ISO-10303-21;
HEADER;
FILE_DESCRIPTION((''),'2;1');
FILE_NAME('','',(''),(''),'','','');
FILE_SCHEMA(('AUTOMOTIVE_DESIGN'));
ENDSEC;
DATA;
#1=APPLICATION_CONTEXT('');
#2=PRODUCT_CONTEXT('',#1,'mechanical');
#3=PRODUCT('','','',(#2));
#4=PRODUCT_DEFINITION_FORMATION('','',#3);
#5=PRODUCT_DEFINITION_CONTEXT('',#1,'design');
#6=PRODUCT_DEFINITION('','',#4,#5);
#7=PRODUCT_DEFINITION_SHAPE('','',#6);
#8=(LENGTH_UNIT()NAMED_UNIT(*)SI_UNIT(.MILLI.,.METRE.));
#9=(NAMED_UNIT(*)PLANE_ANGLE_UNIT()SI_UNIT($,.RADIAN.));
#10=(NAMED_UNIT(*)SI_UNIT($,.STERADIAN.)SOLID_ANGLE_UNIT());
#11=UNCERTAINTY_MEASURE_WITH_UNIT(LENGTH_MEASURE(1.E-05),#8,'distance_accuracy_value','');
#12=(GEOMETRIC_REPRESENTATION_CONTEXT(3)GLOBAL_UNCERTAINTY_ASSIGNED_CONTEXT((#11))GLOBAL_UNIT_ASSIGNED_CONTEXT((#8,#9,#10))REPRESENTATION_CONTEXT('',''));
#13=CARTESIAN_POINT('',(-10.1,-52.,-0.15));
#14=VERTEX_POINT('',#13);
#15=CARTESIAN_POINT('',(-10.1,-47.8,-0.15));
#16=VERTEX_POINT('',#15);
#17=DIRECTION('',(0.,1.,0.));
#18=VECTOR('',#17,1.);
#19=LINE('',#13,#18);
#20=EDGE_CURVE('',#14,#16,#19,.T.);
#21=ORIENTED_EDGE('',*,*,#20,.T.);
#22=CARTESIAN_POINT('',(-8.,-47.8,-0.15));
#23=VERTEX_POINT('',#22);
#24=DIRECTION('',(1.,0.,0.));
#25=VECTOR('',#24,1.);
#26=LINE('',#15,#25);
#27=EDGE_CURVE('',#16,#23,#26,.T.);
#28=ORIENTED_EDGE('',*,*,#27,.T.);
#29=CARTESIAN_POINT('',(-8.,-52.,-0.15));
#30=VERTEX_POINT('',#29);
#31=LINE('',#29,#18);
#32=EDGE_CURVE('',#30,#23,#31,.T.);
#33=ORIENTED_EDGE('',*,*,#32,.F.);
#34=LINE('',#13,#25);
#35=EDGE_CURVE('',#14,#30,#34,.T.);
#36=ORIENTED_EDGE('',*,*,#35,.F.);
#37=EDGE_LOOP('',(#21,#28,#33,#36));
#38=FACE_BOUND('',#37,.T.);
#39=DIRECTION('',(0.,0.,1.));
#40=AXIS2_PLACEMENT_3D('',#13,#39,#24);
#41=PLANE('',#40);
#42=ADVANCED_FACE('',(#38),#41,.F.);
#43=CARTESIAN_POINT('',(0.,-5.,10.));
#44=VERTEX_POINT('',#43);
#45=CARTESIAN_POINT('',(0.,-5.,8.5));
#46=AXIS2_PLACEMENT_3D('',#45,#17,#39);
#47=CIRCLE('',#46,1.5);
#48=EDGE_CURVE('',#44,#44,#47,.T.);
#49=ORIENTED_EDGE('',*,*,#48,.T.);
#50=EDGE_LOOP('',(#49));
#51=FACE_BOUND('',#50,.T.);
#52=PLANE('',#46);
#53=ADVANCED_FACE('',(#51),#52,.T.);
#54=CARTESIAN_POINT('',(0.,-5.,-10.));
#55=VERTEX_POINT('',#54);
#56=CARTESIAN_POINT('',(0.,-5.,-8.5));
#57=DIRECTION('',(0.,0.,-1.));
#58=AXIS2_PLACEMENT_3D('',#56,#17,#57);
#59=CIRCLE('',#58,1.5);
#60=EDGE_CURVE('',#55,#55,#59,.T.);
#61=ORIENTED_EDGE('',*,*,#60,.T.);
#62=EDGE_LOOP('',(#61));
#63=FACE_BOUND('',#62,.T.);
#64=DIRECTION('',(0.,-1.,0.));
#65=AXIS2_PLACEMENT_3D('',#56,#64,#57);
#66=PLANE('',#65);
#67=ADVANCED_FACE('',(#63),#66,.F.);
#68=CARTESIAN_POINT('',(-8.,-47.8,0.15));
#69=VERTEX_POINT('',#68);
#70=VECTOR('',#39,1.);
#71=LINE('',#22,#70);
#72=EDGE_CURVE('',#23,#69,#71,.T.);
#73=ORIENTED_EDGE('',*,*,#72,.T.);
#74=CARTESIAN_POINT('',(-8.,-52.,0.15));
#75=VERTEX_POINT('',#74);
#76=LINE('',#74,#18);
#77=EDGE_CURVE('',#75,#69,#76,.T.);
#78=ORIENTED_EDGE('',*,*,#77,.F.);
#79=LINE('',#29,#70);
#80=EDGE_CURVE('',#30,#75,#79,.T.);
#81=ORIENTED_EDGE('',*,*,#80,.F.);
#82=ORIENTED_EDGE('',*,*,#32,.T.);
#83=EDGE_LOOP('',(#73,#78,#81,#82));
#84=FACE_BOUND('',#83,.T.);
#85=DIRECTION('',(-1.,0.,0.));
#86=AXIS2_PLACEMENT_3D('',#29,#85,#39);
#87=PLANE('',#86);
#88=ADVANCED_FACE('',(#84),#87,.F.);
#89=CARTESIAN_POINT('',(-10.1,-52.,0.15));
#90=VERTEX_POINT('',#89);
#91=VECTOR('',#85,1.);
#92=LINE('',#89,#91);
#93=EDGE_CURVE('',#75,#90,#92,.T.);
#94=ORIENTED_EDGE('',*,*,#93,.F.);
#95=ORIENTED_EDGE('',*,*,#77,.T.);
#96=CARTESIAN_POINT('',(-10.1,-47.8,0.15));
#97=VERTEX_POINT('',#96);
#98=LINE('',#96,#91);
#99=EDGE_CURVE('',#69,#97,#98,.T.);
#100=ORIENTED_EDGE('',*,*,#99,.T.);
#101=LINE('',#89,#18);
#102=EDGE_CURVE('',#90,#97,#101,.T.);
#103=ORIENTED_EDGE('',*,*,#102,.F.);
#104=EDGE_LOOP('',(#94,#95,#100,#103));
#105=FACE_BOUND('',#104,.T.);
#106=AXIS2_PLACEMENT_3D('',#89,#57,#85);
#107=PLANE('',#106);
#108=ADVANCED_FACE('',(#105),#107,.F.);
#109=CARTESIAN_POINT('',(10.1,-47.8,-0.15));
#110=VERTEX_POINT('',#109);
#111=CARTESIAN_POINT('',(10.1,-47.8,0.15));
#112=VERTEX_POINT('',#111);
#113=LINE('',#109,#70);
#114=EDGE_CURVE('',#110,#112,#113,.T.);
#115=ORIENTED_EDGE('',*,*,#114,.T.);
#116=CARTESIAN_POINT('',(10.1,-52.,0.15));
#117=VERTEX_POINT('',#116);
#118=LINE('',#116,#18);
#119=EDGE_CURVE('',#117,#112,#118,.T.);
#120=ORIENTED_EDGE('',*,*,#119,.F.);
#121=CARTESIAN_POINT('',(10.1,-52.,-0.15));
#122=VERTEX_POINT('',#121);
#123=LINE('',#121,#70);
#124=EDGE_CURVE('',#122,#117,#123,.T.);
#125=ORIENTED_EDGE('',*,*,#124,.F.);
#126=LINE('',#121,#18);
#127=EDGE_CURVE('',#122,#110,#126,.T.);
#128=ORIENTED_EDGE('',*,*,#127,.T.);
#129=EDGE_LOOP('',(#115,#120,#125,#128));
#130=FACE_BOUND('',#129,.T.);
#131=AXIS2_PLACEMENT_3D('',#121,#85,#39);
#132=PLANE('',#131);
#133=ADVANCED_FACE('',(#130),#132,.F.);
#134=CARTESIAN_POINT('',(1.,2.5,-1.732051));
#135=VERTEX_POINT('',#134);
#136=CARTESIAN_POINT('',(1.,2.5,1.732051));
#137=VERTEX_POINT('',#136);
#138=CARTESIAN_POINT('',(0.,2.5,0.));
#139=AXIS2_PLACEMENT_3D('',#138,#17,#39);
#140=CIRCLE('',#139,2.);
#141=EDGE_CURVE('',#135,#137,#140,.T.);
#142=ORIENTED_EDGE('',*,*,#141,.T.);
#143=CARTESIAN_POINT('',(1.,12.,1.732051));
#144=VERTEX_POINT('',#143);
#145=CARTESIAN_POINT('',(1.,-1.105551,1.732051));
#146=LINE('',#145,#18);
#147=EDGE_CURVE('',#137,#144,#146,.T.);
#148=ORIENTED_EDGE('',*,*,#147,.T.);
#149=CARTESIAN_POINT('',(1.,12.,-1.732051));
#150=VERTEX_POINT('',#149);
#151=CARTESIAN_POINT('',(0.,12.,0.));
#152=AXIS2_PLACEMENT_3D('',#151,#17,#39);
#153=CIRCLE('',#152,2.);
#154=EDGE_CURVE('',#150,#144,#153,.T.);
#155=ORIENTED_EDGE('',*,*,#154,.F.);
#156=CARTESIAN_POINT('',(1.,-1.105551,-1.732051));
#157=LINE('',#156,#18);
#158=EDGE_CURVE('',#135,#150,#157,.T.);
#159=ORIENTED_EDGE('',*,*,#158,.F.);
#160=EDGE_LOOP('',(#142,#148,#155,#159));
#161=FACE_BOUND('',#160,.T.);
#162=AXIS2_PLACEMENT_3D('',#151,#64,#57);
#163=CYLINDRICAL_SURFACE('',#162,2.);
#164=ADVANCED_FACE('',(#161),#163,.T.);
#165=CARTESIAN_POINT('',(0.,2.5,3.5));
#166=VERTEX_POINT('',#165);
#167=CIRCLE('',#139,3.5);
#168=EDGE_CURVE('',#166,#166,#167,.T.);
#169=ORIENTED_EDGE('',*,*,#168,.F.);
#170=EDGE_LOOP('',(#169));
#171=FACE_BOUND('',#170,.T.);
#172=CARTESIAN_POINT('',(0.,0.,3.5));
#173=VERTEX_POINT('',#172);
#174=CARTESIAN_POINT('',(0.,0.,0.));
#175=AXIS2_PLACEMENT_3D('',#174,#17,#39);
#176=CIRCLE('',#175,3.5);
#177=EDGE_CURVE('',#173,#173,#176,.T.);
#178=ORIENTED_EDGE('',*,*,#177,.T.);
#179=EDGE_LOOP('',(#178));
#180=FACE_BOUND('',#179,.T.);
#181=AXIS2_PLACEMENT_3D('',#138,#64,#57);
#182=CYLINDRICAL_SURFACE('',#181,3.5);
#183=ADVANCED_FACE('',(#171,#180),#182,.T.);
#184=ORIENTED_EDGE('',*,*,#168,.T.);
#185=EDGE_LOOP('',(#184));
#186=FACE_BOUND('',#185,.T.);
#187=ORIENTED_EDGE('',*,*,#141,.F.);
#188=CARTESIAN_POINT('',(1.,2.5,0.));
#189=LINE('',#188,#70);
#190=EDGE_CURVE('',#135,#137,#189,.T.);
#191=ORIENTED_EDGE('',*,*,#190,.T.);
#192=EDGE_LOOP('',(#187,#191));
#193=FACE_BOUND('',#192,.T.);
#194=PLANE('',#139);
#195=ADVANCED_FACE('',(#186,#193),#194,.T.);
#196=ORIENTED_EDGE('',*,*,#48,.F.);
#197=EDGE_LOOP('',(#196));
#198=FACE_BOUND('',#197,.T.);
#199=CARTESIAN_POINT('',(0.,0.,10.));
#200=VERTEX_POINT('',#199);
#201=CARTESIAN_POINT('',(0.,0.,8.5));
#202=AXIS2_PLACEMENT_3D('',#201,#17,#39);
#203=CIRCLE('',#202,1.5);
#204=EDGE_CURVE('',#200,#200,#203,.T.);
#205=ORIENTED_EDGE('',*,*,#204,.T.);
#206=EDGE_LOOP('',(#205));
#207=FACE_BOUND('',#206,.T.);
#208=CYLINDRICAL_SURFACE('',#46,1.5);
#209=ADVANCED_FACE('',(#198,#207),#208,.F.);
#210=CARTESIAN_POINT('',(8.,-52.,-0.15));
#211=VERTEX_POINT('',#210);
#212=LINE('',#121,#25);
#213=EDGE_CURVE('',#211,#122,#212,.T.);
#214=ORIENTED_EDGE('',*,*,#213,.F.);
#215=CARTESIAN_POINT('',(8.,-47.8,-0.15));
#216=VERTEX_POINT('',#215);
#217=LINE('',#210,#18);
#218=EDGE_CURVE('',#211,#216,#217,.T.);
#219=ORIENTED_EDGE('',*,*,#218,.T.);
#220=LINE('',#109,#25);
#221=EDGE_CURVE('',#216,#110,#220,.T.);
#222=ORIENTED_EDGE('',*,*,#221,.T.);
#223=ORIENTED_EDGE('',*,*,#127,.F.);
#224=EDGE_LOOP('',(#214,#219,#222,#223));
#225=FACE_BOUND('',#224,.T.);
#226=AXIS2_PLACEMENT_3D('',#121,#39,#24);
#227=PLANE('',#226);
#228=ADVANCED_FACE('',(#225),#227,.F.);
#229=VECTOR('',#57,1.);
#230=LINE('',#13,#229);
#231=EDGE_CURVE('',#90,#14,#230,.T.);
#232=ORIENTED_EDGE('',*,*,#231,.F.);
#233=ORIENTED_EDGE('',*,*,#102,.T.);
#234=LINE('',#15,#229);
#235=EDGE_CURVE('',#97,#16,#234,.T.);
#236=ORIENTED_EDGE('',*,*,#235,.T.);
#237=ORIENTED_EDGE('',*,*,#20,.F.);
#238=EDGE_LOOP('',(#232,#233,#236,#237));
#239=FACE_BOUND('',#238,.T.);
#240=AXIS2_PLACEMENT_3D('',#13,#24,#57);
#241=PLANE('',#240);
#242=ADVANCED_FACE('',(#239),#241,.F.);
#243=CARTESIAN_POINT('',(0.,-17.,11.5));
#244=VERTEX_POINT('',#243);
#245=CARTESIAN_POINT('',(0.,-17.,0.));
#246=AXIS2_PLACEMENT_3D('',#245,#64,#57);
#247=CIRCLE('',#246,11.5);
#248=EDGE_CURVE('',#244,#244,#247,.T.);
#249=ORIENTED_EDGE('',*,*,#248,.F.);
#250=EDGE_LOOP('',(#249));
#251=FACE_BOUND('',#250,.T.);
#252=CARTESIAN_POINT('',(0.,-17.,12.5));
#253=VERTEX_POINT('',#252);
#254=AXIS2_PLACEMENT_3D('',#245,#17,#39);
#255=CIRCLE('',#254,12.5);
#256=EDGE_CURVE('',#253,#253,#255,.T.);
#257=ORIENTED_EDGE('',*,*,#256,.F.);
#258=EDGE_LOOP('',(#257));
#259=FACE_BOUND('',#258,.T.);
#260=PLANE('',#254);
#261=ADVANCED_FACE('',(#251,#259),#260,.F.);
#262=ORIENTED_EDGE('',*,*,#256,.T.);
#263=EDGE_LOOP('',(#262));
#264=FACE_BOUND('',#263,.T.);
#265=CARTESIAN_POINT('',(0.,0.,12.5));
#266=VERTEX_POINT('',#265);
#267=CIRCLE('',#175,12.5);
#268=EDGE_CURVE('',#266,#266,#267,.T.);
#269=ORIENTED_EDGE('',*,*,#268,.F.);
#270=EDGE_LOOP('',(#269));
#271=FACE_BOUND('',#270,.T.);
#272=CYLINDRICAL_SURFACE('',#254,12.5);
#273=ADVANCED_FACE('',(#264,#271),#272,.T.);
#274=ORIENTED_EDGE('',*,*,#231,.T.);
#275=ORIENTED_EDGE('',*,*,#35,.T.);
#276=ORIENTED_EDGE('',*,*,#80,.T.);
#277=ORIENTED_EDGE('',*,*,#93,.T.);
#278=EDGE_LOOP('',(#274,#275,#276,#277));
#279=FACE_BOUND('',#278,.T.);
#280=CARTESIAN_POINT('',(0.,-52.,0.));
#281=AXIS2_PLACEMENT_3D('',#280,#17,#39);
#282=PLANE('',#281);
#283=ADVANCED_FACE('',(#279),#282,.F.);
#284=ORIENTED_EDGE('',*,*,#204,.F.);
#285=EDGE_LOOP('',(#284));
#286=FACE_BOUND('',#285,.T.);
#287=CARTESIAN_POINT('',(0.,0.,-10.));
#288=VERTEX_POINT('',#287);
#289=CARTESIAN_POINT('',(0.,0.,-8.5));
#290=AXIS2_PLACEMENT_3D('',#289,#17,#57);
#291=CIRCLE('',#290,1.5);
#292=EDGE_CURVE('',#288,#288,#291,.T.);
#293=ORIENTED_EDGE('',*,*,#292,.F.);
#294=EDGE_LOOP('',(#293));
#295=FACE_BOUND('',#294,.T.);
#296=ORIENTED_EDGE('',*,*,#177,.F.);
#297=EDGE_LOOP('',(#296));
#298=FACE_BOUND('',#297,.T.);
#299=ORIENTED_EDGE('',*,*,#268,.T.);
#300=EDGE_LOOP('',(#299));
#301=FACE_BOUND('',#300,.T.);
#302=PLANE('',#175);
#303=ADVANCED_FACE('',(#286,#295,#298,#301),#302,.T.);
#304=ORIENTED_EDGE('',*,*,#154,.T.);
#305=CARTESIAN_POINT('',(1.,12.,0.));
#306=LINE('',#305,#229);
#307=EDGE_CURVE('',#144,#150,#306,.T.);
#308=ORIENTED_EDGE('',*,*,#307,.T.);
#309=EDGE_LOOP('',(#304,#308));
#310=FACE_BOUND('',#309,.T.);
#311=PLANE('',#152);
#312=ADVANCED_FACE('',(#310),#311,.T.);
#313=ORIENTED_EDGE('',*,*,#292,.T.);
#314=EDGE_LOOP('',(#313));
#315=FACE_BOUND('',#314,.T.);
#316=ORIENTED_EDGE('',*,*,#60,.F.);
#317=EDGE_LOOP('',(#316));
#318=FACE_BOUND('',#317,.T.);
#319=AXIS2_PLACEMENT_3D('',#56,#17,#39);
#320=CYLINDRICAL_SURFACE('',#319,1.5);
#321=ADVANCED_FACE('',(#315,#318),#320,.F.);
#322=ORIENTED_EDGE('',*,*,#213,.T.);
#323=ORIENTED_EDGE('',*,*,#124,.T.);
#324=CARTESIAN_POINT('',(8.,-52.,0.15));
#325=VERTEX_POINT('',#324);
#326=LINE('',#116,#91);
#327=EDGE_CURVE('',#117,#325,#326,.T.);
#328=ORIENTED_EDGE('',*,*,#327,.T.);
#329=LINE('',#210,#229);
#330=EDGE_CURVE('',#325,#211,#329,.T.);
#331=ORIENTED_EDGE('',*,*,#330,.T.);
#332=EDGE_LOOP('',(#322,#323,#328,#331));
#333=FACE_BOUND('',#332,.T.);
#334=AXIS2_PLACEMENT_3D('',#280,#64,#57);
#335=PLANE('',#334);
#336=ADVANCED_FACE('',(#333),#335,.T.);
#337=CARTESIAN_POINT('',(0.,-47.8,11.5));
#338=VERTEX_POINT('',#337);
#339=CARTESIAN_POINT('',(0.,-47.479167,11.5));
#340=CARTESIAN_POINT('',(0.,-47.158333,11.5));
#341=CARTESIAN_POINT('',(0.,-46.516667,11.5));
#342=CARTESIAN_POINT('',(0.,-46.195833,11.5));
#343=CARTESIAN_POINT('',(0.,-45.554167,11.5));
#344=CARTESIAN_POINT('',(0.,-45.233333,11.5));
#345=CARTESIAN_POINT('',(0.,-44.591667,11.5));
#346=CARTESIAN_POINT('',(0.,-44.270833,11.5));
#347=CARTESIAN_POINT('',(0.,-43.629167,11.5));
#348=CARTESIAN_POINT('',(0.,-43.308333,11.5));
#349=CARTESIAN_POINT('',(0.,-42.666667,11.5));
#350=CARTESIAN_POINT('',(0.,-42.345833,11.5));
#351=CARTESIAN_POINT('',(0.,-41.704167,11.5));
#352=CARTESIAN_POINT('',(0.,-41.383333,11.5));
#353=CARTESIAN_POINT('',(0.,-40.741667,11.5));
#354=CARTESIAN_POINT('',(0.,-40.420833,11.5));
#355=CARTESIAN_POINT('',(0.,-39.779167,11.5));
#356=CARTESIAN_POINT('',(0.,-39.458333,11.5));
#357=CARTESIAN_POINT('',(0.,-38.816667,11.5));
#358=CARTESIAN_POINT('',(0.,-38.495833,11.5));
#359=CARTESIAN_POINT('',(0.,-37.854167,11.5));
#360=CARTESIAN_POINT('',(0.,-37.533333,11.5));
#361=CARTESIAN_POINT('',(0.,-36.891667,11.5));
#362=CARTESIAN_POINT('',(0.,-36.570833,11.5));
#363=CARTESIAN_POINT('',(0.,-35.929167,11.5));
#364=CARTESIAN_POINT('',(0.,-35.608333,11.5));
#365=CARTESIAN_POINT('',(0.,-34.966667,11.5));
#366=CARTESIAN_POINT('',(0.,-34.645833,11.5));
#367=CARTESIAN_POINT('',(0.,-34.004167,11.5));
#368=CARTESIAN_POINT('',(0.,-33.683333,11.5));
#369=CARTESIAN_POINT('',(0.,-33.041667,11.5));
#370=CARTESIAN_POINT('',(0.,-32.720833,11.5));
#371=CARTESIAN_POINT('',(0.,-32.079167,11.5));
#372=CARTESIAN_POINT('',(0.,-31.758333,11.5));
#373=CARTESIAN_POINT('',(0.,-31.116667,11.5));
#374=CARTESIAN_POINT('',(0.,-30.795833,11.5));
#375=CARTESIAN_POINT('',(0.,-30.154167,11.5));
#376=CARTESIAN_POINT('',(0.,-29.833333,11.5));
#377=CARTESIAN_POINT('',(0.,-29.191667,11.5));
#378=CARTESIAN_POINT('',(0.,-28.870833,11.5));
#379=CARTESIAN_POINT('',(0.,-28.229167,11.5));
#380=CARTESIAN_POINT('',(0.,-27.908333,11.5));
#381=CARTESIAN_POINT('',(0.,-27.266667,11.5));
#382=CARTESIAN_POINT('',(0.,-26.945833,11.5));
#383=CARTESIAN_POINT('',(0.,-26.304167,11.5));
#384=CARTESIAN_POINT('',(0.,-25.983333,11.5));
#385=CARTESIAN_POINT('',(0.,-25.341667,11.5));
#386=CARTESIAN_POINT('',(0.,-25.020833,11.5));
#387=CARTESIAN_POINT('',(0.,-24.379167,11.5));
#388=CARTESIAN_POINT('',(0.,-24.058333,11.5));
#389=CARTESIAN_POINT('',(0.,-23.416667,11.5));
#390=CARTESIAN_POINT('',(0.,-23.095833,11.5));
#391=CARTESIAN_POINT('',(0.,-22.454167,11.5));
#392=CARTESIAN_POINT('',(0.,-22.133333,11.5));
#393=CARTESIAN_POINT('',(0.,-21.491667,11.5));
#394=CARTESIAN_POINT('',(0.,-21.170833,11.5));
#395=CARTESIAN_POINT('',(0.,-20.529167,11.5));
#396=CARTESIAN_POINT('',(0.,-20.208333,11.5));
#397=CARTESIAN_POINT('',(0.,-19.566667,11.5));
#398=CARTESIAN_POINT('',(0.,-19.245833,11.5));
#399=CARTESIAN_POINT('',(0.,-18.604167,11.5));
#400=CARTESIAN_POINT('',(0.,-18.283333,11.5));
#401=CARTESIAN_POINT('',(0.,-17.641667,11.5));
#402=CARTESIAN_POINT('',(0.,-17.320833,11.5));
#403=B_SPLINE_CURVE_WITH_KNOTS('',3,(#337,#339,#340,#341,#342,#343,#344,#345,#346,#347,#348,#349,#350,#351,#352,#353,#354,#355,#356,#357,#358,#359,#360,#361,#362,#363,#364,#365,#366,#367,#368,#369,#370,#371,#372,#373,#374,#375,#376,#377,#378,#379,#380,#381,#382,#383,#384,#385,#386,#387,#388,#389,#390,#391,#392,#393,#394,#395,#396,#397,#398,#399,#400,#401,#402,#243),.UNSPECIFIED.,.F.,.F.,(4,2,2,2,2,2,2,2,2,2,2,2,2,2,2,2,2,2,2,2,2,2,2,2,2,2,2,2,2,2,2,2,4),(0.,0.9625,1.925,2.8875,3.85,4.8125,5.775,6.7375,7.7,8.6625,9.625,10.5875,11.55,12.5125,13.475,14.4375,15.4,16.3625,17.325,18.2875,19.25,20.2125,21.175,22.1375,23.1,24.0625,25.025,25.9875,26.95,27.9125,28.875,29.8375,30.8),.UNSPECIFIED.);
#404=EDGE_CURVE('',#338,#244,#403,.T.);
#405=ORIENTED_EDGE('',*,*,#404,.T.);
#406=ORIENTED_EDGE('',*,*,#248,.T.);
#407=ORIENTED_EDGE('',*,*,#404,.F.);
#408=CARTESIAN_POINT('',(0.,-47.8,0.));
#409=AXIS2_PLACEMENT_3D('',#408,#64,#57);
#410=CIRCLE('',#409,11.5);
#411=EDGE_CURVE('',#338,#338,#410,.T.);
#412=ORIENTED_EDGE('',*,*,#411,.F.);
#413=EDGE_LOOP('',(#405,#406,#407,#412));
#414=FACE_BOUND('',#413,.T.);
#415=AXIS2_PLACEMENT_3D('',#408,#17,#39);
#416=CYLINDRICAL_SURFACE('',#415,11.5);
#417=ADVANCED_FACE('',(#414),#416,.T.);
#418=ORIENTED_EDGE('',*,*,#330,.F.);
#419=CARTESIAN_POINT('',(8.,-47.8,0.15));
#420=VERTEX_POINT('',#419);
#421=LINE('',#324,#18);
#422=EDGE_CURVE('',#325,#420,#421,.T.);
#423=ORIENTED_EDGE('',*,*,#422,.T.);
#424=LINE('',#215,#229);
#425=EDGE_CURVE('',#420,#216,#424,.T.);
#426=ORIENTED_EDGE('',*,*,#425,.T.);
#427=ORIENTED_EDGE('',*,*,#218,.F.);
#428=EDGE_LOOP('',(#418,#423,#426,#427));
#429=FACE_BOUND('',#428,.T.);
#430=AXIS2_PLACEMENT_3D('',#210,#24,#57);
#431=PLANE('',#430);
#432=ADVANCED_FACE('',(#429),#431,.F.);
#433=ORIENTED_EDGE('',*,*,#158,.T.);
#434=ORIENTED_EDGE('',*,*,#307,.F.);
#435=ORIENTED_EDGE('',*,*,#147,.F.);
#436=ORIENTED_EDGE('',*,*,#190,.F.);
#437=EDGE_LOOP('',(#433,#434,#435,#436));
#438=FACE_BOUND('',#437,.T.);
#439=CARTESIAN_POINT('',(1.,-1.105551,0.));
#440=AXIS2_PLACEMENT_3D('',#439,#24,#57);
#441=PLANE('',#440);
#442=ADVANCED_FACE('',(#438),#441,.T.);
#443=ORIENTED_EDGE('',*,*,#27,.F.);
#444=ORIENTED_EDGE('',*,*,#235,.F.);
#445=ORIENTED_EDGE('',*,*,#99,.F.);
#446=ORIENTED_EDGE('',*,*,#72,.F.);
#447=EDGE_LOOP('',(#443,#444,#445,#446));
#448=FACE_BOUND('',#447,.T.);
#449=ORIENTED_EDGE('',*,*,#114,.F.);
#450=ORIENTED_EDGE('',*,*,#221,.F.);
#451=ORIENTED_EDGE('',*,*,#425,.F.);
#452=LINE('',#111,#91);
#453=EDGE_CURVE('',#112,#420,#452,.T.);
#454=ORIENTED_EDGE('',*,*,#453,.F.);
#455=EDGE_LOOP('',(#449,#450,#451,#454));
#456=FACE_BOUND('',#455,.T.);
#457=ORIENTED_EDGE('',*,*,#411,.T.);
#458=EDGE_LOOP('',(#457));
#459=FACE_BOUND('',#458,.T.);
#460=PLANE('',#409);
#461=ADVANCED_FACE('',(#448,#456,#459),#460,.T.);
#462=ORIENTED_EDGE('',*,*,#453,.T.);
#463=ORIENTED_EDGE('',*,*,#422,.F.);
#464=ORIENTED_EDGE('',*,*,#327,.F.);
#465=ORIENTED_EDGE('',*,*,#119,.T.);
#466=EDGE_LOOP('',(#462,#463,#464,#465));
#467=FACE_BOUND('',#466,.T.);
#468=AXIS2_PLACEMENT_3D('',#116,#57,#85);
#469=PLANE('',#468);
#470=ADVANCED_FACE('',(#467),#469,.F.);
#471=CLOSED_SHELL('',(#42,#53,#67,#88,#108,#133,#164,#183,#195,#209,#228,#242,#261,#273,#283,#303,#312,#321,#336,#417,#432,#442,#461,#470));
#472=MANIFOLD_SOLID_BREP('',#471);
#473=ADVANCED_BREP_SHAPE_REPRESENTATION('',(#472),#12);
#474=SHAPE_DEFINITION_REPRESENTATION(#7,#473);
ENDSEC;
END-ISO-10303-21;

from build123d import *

# Parameters (mm, degrees)
SKETCH2_R           = 12.5
SKETCH2_R_2         = 2
SKETCH2_R_3         = 3.5
BOSS_EXTRUDE1_DEPTH = 17
SKETCH2_3_R         = 2
BOSS_EXTRUDE2_DEPTH = 12
SKETCH2_4_R         = 3.5
SKETCH2_4_R_2       = 2
BOSS_EXTRUDE3_DEPTH = 2.5
SKETCH4_R           = 11.5
BOSS_EXTRUDE4_DEPTH = 30.8
SKETCH5_W           = 2.1
SKETCH5_H           = 0.3
BOSS_EXTRUDE5_DEPTH = 4.2
SKETCH6_R           = 1.5
CUT_EXTRUDE1_DEPTH  = 5
CUT_EXTRUDE2_START  = -9.5
CUT_EXTRUDE2_DEPTH  = 9.5


with BuildPart() as part:
    # Sketch2 → Boss-Extrude1 (new body)
    # profile 1 of 3: a face of its own
    with BuildSketch(Plane(origin=(0, 0, 0), x_dir=(1, 0, 0), z_dir=(0, 1, 0))):
        with Locations(Location((0, 0, 0), (0, 0, 270))):
            Circle(SKETCH2_R)
        Circle(SKETCH2_R_2, mode=Mode.SUBTRACT)
    # profile 2 of 3: a face of its own
    with BuildSketch(Plane(origin=(0, 0, 0), x_dir=(1, 0, 0), z_dir=(0, 1, 0))):
        Circle(SKETCH2_R_3)
        Circle(SKETCH2_R_2, mode=Mode.SUBTRACT)
    # profile 3 of 3: a face of its own
    with BuildSketch(Plane(origin=(0, 0, 0), x_dir=(1, 0, 0), z_dir=(0, 1, 0))):
        Circle(SKETCH2_R_2)
    extrude(amount=-BOSS_EXTRUDE1_DEPTH)

    # Sketch2<3> → Boss-Extrude2 (add)
    with BuildSketch(Plane(origin=(0, 0, 0), x_dir=(1, 0, 0), z_dir=(0, 1, 0))):
        with Locations(Location((0, 0, 0), (0, 0, 270))):
            Circle(SKETCH2_3_R)
    extrude(amount=BOSS_EXTRUDE2_DEPTH)

    # Sketch2<4> → Boss-Extrude3 (add)
    with BuildSketch(Plane(origin=(0, 0, 0), x_dir=(1, 0, 0), z_dir=(0, 1, 0))):
        with Locations(Location((0, 0, 0), (0, 0, 270))):
            Circle(SKETCH2_4_R)
        with Locations(Location((0, 0, 0), (0, 0, 270))):
            Circle(SKETCH2_4_R_2, mode=Mode.SUBTRACT)
    extrude(amount=BOSS_EXTRUDE3_DEPTH)

    # Sketch4 → Boss-Extrude4 (add)
    with BuildSketch(Plane.XZ.offset(17)):
        with Locations(Location((0, 0, 0), (0, 0, 90))):
            Circle(SKETCH4_R)
    extrude(amount=BOSS_EXTRUDE4_DEPTH)

    # Sketch5 → Boss-Extrude5 (add)
    with BuildSketch(Plane.XZ.offset(47.8)):
        with Locations((-9.05, 0)):
            Rectangle(SKETCH5_W, SKETCH5_H)
        with Locations((9.05, 0)):
            Rectangle(SKETCH5_W, SKETCH5_H)
    extrude(amount=BOSS_EXTRUDE5_DEPTH)

    # Sketch6 → Cut-Extrude1 (cut)
    with BuildSketch(Plane(origin=(0, 0, 0), x_dir=(1, 0, 0), z_dir=(0, 1, 0))):
        with Locations(Location((0, -8.5, 0), (0, 0, 270))):
            Circle(SKETCH6_R)
        with Locations(Location((0, 8.5, 0), (0, 0, 90))):
            Circle(SKETCH6_R)
    extrude(amount=-CUT_EXTRUDE1_DEPTH, mode=Mode.SUBTRACT)

    # Sketch7 → Cut-Extrude2 (cut)
    with BuildSketch(Plane(origin=(0, 12, 0), x_dir=(1, 0, 0), z_dir=(0, 1, 0)).offset(CUT_EXTRUDE2_START)):
        with BuildLine():
            ThreePointArc((1, -1.732050808), (2, 0), (1, 1.732050808))
            Line((1, 1.732050808), (1, -1.732050808))
        make_face()
    extrude(amount=CUT_EXTRUDE2_DEPTH, mode=Mode.SUBTRACT)


solid = part.part
